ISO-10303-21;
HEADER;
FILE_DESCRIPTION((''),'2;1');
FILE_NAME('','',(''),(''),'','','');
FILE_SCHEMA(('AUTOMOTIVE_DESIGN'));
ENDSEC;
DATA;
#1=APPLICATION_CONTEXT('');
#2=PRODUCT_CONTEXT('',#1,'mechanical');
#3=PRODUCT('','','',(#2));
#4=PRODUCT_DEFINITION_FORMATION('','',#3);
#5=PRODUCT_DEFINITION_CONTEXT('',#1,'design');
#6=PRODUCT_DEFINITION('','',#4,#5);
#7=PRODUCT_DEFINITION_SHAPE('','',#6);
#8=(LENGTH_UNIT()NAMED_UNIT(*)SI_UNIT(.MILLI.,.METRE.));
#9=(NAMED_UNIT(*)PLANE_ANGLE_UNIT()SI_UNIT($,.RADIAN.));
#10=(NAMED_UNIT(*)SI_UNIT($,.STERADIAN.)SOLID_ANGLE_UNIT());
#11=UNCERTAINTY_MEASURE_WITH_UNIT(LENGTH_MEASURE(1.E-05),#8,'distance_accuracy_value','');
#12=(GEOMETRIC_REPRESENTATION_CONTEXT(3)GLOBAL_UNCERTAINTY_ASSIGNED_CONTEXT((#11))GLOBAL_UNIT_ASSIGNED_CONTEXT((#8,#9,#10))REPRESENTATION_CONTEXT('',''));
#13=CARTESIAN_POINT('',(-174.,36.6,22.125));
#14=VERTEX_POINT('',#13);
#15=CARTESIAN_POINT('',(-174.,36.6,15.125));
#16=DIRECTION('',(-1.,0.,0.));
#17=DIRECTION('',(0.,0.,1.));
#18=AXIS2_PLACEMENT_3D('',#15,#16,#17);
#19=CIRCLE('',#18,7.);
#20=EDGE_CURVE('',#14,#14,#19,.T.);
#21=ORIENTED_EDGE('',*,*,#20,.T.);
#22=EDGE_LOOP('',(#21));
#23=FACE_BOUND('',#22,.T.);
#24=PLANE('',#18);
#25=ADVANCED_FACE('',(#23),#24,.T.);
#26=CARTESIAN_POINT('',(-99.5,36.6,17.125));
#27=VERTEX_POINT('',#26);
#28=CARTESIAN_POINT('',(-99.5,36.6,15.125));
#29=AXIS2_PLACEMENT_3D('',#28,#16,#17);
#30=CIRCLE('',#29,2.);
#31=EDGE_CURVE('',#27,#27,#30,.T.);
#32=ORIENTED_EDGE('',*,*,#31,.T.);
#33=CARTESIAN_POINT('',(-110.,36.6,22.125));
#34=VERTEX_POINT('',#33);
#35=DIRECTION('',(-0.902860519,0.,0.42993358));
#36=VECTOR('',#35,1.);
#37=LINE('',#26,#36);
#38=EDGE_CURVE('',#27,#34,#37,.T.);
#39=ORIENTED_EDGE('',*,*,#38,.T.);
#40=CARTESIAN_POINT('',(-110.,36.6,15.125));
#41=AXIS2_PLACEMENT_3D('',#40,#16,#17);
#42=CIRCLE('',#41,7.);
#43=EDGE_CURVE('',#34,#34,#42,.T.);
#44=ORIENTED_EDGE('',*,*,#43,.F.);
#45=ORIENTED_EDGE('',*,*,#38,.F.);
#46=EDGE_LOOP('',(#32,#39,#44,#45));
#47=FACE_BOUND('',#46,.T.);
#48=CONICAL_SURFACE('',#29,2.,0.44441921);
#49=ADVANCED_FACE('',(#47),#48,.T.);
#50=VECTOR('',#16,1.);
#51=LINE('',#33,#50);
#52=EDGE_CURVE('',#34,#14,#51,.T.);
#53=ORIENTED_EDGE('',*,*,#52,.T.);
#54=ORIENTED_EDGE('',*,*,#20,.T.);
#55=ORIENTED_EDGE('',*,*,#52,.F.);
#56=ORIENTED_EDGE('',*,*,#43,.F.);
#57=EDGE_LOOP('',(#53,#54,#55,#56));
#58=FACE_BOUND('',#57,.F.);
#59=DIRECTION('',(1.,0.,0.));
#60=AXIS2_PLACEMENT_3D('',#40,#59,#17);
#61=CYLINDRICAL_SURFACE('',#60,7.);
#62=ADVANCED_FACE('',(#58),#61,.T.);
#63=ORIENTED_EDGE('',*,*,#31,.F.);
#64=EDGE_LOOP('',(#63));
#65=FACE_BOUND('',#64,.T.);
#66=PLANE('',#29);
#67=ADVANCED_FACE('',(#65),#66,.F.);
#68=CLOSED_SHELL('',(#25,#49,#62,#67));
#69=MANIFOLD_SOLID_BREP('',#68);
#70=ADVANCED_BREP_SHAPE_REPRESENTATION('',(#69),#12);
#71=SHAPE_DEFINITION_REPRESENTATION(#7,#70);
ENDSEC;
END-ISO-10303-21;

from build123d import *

# Parameters (mm, degrees)
CYLINDER022_R     = 7
CYLINDER022_DEPTH = 64


with BuildPart() as syr2_head:
    # Cone001 → Cone001 (revolve)
    with BuildSketch(Plane(origin=(-99.5, 36.6, 15.125), x_dir=(0, 0, 1), z_dir=(0, -1, 0))):
        Polygon((0, 0), (2, 0), (7, 10.5), (0, 10.5), align=None)
    revolve(axis=Axis((-99.5, 36.6, 15.125), (-1, 0, 0)))


with BuildPart() as fusion012:
    # Cylinder022 → Cylinder022 (new body)
    with BuildSketch(Plane(origin=(-110, 36.6, 15.125), x_dir=(0, 0, 1), z_dir=(-1, 0, 0))):
        Circle(CYLINDER022_R)
    extrude(amount=CYLINDER022_DEPTH)

    # Fusion012: union syr2_head
    add(syr2_head.part)


solid = fusion012.part
